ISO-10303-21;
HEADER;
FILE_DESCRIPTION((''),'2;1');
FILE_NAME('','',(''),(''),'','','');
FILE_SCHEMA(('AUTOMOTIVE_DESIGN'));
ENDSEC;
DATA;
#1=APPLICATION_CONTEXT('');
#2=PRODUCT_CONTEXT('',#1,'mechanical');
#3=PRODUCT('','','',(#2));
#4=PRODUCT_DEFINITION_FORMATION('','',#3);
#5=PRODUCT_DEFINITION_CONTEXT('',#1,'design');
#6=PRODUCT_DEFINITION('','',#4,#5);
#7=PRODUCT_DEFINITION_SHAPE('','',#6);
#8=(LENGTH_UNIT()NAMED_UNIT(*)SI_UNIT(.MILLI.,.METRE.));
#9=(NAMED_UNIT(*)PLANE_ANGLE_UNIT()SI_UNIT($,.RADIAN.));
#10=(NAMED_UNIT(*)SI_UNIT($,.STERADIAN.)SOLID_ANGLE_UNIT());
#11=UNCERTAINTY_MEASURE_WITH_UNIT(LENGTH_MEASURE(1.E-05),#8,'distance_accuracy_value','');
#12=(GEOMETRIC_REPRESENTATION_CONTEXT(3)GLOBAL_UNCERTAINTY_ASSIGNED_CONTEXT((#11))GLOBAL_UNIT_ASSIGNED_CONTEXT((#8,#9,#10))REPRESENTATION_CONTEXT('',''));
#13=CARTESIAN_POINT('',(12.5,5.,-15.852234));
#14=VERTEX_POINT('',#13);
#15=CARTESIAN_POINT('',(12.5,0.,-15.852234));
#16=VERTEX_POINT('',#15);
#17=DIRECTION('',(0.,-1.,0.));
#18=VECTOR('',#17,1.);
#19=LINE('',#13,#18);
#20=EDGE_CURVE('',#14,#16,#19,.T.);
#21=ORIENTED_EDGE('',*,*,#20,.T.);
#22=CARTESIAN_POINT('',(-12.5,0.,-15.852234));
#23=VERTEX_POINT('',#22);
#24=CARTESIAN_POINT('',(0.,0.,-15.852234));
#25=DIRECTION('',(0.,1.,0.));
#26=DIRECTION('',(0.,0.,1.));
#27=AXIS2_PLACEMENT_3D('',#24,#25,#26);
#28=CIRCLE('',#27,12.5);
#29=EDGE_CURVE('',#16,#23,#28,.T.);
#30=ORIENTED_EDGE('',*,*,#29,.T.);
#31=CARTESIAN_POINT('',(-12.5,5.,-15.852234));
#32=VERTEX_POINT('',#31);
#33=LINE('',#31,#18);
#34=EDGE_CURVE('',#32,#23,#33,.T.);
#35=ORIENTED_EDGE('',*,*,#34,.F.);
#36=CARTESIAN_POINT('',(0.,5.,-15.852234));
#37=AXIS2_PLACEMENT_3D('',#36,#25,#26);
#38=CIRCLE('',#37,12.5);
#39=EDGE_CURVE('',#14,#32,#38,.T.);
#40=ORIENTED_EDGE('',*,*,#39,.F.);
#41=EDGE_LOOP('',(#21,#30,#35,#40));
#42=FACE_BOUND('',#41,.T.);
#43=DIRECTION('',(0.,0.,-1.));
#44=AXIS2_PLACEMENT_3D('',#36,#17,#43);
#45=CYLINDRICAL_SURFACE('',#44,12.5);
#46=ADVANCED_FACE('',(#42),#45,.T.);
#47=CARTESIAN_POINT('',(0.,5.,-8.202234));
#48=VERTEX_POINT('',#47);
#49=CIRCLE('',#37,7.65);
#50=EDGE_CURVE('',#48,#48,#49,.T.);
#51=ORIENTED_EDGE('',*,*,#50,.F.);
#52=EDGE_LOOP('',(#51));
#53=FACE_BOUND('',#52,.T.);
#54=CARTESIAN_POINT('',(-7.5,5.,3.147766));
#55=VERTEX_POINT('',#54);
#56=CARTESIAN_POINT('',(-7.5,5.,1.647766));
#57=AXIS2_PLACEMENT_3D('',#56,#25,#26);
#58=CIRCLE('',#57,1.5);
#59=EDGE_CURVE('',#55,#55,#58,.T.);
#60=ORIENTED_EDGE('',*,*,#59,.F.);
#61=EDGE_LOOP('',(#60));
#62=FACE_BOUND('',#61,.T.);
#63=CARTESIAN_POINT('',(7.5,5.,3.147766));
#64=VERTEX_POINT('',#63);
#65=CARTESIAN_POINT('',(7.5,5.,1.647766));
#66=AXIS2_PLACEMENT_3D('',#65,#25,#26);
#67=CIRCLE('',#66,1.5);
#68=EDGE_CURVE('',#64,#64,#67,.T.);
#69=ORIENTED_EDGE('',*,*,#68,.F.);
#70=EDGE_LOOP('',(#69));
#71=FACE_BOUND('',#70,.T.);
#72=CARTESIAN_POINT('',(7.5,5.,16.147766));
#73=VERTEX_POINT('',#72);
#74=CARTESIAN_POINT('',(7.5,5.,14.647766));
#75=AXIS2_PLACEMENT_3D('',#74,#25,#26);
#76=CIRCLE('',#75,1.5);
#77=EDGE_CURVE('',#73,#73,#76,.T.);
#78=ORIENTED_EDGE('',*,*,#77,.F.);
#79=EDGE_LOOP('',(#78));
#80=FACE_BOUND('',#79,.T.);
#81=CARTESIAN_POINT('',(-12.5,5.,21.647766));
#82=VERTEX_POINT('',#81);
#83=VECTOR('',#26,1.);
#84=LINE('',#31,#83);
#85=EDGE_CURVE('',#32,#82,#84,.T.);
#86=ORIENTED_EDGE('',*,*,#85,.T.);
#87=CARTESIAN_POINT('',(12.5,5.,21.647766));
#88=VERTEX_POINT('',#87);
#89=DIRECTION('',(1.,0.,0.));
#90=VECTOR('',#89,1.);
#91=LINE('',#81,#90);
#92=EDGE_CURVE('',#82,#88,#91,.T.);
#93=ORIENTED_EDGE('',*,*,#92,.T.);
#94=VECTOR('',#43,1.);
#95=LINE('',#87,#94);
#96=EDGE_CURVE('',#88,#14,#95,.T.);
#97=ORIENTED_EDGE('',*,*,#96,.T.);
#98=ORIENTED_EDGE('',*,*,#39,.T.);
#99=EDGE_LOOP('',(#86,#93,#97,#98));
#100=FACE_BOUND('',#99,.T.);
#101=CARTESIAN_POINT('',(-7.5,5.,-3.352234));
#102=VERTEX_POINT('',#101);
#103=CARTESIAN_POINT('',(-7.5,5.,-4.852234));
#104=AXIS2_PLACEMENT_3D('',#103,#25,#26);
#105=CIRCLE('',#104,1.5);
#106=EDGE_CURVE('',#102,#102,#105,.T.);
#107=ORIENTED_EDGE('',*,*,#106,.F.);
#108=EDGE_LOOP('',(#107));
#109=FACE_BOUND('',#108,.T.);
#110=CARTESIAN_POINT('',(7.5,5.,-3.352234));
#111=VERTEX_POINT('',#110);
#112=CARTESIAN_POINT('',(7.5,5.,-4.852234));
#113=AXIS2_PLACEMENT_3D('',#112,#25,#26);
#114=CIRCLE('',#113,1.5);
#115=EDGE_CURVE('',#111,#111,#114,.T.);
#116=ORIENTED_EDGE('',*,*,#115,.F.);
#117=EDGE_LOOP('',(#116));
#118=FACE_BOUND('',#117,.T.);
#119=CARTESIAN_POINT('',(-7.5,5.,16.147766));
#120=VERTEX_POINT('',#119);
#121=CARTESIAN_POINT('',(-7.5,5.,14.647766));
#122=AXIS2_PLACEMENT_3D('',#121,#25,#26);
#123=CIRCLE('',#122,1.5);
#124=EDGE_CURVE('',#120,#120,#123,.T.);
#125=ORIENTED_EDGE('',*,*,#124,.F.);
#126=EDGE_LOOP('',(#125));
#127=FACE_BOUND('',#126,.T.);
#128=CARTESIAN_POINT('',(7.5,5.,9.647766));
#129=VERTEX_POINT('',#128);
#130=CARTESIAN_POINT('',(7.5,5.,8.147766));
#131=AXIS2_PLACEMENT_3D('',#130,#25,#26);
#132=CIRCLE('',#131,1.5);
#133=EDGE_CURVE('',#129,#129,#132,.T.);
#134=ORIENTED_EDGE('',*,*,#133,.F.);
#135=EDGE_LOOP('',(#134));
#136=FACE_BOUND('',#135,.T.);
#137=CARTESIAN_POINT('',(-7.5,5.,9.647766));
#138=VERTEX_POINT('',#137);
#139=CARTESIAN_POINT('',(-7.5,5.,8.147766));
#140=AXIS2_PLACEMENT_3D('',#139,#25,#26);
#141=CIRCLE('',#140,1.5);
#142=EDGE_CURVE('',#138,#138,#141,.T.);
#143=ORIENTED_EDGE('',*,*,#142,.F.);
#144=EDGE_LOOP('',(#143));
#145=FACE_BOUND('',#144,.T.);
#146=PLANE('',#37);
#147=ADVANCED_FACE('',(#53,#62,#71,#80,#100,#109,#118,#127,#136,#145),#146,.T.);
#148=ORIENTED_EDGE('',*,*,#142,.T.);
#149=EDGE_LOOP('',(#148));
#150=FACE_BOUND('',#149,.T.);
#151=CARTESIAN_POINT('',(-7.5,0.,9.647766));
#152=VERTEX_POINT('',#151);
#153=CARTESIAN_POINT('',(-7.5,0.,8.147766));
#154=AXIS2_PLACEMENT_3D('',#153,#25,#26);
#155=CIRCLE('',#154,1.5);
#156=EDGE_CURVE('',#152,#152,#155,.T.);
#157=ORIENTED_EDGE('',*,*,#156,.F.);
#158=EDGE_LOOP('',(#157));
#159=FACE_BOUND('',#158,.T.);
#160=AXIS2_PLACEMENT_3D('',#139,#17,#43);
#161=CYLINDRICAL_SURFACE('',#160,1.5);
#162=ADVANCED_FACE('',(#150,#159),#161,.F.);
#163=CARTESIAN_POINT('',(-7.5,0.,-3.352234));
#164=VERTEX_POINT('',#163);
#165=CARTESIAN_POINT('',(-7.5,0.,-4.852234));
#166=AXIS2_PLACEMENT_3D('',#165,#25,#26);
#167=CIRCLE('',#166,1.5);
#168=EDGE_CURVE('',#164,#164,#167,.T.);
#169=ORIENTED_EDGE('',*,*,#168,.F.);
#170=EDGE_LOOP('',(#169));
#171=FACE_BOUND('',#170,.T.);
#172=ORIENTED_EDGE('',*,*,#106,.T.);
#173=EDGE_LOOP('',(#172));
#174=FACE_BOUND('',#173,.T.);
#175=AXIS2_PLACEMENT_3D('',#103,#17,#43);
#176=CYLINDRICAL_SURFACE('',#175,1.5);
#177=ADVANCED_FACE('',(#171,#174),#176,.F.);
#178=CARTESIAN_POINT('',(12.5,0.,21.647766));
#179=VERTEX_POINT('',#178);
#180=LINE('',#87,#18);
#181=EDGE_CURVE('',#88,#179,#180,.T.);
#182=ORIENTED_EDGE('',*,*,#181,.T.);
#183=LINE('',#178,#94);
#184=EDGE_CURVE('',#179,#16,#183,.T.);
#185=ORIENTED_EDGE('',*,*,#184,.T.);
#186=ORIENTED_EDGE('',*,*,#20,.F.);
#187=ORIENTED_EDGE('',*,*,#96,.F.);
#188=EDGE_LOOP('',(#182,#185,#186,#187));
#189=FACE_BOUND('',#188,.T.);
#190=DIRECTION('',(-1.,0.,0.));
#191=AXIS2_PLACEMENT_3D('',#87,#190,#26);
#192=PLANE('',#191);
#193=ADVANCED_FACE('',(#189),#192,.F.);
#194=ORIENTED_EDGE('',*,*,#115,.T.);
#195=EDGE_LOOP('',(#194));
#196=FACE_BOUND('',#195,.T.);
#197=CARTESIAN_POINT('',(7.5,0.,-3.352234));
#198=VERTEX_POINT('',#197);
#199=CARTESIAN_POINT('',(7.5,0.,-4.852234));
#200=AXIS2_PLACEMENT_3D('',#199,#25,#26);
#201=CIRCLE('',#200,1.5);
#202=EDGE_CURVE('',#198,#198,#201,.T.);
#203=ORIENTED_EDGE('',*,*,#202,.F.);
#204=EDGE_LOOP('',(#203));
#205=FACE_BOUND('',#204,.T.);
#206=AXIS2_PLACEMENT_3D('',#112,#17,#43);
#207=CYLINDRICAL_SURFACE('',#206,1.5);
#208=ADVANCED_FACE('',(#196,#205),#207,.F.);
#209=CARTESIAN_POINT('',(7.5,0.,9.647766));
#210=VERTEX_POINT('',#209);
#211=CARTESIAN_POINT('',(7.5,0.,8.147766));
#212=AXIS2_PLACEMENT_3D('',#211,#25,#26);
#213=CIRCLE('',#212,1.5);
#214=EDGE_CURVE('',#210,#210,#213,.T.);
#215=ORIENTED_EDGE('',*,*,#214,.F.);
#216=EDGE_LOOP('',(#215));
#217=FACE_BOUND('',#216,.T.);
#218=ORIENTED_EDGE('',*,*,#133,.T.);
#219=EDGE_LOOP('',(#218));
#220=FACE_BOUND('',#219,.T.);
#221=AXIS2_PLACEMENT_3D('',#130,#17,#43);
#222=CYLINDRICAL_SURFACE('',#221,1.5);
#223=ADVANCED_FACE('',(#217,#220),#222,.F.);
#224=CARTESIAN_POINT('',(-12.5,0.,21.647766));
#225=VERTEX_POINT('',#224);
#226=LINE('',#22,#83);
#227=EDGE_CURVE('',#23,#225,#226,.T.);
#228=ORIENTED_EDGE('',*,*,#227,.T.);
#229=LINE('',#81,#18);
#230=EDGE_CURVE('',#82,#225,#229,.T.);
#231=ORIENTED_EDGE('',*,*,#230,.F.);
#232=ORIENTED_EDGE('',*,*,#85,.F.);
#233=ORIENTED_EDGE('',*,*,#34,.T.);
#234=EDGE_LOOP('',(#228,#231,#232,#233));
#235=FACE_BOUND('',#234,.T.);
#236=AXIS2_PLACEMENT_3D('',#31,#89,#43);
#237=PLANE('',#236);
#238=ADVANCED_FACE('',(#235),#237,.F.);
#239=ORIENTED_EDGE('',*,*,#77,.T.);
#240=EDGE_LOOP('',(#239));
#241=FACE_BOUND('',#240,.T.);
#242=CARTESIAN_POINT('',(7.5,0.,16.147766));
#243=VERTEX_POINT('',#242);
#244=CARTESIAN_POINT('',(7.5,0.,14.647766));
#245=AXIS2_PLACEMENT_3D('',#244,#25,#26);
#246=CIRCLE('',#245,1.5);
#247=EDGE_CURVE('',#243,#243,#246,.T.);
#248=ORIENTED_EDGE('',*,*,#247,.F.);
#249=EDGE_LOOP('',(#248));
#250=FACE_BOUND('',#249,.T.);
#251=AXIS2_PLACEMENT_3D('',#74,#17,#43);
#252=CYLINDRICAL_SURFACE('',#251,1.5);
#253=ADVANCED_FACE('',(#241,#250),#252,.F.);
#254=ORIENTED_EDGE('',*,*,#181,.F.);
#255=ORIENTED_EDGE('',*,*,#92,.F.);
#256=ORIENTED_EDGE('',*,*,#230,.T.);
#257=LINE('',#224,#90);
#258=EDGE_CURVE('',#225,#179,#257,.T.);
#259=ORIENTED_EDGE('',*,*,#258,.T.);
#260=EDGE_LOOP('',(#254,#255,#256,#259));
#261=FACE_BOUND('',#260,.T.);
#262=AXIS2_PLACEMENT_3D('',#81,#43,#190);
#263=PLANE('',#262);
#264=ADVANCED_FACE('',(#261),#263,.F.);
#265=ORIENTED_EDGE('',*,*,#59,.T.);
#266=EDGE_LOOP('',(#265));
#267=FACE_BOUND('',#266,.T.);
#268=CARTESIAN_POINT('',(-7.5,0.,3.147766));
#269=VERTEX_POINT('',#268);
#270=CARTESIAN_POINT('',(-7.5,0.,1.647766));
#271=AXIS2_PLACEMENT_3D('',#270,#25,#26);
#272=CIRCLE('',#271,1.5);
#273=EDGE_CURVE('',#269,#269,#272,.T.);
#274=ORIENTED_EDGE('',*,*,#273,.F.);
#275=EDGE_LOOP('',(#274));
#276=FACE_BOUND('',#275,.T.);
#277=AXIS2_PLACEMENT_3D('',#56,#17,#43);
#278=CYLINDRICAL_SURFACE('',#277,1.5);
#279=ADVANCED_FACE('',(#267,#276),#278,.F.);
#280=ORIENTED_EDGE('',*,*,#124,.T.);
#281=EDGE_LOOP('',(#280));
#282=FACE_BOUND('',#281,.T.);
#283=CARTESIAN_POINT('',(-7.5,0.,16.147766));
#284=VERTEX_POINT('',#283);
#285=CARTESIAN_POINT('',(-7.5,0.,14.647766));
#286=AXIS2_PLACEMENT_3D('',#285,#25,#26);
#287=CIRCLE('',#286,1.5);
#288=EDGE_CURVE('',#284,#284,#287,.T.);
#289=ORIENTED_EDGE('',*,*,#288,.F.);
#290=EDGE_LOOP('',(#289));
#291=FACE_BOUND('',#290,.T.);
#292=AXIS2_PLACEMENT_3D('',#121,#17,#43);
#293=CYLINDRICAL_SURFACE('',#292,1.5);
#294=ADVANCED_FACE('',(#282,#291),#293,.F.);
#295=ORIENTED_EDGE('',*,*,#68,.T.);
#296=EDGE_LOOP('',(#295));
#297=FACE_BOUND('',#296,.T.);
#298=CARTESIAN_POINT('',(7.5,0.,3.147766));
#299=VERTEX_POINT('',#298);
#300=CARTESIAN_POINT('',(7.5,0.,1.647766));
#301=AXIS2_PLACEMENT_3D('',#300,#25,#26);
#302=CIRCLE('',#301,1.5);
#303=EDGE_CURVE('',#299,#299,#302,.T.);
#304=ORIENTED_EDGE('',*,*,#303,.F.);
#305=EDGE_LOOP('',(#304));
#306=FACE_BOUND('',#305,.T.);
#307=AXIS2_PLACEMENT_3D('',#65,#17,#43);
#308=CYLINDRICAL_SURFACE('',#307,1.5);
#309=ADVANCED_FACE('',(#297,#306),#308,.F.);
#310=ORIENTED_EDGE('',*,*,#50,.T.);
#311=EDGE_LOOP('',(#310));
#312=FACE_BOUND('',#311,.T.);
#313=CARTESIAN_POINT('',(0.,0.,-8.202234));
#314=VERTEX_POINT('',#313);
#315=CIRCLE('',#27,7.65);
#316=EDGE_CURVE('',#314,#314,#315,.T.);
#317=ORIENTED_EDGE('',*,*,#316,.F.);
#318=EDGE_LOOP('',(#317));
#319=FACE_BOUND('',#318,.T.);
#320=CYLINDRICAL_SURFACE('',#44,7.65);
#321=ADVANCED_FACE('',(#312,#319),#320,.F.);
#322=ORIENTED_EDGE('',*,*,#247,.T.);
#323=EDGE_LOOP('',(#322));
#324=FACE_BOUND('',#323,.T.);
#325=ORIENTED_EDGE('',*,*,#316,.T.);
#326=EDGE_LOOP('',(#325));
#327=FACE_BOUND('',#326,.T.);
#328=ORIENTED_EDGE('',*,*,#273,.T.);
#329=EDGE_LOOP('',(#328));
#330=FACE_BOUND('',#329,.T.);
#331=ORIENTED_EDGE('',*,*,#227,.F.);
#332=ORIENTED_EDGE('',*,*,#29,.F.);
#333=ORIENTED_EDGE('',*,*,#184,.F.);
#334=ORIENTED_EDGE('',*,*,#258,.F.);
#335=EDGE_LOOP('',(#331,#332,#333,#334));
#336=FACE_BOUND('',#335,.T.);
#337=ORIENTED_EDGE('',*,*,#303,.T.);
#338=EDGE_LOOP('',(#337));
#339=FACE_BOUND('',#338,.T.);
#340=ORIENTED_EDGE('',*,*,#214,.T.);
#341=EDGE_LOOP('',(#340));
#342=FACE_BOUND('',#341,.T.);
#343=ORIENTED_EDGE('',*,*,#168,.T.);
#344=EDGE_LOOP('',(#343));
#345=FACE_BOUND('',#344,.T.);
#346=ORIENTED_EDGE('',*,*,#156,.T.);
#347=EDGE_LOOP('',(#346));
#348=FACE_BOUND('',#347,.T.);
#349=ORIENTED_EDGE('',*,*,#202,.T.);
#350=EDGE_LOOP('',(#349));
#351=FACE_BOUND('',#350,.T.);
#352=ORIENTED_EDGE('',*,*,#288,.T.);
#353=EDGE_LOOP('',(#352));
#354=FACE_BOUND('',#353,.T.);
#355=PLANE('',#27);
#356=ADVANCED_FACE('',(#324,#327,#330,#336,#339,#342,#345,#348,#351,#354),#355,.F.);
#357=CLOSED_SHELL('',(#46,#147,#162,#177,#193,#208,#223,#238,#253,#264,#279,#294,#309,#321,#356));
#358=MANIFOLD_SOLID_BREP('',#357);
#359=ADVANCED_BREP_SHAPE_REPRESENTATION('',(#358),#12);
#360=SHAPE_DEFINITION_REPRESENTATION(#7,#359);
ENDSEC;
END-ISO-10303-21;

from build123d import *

# Parameters (mm, degrees)
SKETCH_1_R      = 7.65
SKETCH_1_R_2    = 1.5
EXTRUDE_1_DEPTH = 5


with BuildPart() as part:
    # Эскиз1 → Бобышка-Вытянуть1 (new body)
    with BuildSketch(Plane(origin=(0, 0, 0), x_dir=(1, 0, 0), z_dir=(0, 1, 0))):
        with BuildLine():
            Line((-12.5, 15.852233677), (-12.5, -21.647766323))
            Line((-12.5, -21.647766323), (12.5, -21.647766323))
            Line((12.5, -21.647766323), (12.5, 15.852233677))
            ThreePointArc((12.5, 15.852233677), (0, 28.352233677), (-12.5, 15.852233677))
        make_face()
        with Locations((0, 15.852233677)):
            Circle(SKETCH_1_R, mode=Mode.SUBTRACT)
        with Locations((-7.5, -14.647766323)):
            Circle(SKETCH_1_R_2, mode=Mode.SUBTRACT)
        with Locations((7.5, -14.647766323)):
            Circle(SKETCH_1_R_2, mode=Mode.SUBTRACT)
        with Locations((-7.5, -8.147766323)):
            Circle(SKETCH_1_R_2, mode=Mode.SUBTRACT)
        with Locations((7.5, -8.147766323)):
            Circle(SKETCH_1_R_2, mode=Mode.SUBTRACT)
        with Locations((-7.5, -1.647766323)):
            Circle(SKETCH_1_R_2, mode=Mode.SUBTRACT)
        with Locations((7.5, -1.647766323)):
            Circle(SKETCH_1_R_2, mode=Mode.SUBTRACT)
        with Locations((-7.5, 4.852233677)):
            Circle(SKETCH_1_R_2, mode=Mode.SUBTRACT)
        with Locations((7.5, 4.852233677)):
            Circle(SKETCH_1_R_2, mode=Mode.SUBTRACT)
    extrude(amount=EXTRUDE_1_DEPTH)


solid = part.part
